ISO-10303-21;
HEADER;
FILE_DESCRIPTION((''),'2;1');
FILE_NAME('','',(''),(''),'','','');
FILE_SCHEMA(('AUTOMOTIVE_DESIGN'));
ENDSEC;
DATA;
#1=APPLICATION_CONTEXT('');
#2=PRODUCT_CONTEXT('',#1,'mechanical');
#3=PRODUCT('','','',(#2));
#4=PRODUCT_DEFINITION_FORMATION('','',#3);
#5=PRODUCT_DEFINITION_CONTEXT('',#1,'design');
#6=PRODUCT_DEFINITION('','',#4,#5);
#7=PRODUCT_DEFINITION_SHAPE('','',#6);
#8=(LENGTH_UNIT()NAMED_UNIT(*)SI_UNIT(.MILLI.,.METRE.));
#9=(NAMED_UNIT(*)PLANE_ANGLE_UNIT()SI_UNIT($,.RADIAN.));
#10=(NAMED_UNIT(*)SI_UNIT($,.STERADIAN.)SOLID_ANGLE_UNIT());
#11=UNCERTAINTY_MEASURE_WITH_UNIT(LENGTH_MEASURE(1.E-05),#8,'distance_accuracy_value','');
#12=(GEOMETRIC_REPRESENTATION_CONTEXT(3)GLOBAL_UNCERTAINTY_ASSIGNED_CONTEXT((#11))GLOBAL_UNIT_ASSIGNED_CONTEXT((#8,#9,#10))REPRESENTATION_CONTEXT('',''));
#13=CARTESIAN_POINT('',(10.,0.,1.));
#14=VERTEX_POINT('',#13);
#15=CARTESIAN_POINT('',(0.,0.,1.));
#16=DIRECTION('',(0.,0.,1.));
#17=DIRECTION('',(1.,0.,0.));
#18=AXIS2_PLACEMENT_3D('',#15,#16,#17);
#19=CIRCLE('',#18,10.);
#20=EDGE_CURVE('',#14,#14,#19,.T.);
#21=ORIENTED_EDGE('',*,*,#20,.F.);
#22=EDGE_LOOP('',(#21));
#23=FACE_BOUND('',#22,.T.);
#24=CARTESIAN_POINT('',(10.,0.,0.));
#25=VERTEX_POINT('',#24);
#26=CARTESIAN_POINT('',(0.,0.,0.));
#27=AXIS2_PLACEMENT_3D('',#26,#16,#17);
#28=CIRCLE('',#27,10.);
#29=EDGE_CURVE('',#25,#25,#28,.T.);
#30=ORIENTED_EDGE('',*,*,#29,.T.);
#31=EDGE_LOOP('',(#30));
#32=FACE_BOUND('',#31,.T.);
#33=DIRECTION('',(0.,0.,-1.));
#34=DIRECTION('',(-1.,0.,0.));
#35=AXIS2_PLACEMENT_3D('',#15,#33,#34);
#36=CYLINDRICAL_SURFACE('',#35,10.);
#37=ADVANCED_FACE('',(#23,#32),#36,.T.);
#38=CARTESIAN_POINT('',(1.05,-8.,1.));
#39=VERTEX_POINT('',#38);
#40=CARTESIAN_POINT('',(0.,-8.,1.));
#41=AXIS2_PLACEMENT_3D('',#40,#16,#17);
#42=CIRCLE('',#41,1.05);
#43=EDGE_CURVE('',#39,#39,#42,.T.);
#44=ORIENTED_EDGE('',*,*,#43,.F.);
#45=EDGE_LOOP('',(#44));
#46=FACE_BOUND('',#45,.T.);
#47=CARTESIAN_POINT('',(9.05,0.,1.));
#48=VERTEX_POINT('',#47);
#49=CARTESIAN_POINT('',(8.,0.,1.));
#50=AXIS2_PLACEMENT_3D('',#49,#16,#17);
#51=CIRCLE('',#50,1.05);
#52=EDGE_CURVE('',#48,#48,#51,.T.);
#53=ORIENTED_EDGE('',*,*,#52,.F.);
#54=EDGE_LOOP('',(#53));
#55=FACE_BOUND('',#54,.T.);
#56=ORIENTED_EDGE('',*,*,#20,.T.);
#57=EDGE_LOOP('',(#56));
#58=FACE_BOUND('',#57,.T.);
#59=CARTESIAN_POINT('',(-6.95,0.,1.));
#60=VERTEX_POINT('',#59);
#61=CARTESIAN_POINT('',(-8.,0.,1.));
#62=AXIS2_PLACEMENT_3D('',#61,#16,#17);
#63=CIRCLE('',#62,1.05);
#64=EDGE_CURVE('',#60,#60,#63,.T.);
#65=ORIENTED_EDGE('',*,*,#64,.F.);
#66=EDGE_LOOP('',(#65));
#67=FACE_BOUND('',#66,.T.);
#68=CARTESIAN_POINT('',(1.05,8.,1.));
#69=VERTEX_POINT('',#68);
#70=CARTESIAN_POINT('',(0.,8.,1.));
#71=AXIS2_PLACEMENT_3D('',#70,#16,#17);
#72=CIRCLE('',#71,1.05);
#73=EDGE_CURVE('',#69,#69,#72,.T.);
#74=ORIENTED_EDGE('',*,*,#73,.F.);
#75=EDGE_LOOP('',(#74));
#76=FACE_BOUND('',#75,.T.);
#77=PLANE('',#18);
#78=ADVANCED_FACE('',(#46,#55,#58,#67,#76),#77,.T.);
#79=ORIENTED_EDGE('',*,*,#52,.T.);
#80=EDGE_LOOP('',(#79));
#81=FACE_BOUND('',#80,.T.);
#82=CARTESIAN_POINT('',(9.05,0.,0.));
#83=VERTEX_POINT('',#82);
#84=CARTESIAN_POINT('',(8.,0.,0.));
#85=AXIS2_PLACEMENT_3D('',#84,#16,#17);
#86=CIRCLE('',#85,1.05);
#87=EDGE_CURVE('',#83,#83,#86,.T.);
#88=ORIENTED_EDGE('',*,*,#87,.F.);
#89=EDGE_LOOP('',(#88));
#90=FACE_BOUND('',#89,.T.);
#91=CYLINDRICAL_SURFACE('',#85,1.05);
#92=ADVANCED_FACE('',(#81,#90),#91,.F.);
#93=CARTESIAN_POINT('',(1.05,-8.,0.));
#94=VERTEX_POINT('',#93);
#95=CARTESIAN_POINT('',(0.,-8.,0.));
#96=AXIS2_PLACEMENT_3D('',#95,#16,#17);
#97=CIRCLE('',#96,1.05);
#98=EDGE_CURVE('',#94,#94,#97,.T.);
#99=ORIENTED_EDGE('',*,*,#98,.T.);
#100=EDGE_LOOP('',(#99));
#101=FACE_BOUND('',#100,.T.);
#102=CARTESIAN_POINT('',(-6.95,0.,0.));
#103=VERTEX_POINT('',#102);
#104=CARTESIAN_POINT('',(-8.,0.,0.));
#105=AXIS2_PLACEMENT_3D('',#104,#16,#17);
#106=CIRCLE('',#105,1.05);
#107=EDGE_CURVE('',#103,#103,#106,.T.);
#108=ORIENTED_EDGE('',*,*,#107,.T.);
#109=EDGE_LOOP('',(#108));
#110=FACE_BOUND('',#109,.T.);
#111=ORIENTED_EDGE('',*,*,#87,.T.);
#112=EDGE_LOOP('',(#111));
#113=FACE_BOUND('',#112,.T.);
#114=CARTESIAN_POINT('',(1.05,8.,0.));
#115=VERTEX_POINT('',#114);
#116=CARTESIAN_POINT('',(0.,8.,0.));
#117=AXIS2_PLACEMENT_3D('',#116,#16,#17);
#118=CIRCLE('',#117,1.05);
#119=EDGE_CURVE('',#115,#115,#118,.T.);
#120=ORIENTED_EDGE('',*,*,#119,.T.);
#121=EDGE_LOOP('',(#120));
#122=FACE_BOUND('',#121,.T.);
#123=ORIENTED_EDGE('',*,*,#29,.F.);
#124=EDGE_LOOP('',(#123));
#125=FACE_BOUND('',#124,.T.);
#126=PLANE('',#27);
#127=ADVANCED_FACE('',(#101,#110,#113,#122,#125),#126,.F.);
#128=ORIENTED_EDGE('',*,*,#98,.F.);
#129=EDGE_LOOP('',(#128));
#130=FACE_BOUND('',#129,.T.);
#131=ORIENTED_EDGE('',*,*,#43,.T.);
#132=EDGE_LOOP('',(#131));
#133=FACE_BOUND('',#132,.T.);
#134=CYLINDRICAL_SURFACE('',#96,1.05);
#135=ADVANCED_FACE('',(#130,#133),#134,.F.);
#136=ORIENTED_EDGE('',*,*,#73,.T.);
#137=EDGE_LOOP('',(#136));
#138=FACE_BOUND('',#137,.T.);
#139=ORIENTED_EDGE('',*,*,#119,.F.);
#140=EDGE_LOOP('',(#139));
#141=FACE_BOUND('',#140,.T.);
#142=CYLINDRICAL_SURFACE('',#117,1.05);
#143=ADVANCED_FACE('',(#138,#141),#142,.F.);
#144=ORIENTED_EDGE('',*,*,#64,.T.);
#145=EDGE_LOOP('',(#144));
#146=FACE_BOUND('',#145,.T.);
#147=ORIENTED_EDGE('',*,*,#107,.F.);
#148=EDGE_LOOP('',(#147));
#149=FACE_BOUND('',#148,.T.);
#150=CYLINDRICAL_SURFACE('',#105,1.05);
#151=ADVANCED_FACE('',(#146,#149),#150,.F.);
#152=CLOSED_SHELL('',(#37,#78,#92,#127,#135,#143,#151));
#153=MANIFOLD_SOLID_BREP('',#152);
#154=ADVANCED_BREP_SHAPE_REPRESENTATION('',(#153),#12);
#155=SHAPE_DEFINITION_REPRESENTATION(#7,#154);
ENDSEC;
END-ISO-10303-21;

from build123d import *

# Parameters (mm, degrees)
SKETCH_1_R          = 10
EXTRUDE_1_DEPTH     = 1
SKETCH_2_R          = 1.05
CUT_EXTRUDE_1_DEPTH = 15.177446879


with BuildPart() as part:
    # 草图1 → 凸台-拉伸1 (new body)
    with BuildSketch(Plane.XY):
        Circle(SKETCH_1_R)
    extrude(amount=EXTRUDE_1_DEPTH)

    # 草图2 → 切除-拉伸1 (cut, through all)
    with BuildSketch(Plane.XY.offset(1)):
        with Locations((0, 8)):
            Circle(SKETCH_2_R)
        with Locations((8, 0)):
            Circle(SKETCH_2_R)
        with Locations((0, -8)):
            Circle(SKETCH_2_R)
        with Locations((-8, 0)):
            Circle(SKETCH_2_R)
    extrude(amount=-CUT_EXTRUDE_1_DEPTH, mode=Mode.SUBTRACT)


solid = part.part
